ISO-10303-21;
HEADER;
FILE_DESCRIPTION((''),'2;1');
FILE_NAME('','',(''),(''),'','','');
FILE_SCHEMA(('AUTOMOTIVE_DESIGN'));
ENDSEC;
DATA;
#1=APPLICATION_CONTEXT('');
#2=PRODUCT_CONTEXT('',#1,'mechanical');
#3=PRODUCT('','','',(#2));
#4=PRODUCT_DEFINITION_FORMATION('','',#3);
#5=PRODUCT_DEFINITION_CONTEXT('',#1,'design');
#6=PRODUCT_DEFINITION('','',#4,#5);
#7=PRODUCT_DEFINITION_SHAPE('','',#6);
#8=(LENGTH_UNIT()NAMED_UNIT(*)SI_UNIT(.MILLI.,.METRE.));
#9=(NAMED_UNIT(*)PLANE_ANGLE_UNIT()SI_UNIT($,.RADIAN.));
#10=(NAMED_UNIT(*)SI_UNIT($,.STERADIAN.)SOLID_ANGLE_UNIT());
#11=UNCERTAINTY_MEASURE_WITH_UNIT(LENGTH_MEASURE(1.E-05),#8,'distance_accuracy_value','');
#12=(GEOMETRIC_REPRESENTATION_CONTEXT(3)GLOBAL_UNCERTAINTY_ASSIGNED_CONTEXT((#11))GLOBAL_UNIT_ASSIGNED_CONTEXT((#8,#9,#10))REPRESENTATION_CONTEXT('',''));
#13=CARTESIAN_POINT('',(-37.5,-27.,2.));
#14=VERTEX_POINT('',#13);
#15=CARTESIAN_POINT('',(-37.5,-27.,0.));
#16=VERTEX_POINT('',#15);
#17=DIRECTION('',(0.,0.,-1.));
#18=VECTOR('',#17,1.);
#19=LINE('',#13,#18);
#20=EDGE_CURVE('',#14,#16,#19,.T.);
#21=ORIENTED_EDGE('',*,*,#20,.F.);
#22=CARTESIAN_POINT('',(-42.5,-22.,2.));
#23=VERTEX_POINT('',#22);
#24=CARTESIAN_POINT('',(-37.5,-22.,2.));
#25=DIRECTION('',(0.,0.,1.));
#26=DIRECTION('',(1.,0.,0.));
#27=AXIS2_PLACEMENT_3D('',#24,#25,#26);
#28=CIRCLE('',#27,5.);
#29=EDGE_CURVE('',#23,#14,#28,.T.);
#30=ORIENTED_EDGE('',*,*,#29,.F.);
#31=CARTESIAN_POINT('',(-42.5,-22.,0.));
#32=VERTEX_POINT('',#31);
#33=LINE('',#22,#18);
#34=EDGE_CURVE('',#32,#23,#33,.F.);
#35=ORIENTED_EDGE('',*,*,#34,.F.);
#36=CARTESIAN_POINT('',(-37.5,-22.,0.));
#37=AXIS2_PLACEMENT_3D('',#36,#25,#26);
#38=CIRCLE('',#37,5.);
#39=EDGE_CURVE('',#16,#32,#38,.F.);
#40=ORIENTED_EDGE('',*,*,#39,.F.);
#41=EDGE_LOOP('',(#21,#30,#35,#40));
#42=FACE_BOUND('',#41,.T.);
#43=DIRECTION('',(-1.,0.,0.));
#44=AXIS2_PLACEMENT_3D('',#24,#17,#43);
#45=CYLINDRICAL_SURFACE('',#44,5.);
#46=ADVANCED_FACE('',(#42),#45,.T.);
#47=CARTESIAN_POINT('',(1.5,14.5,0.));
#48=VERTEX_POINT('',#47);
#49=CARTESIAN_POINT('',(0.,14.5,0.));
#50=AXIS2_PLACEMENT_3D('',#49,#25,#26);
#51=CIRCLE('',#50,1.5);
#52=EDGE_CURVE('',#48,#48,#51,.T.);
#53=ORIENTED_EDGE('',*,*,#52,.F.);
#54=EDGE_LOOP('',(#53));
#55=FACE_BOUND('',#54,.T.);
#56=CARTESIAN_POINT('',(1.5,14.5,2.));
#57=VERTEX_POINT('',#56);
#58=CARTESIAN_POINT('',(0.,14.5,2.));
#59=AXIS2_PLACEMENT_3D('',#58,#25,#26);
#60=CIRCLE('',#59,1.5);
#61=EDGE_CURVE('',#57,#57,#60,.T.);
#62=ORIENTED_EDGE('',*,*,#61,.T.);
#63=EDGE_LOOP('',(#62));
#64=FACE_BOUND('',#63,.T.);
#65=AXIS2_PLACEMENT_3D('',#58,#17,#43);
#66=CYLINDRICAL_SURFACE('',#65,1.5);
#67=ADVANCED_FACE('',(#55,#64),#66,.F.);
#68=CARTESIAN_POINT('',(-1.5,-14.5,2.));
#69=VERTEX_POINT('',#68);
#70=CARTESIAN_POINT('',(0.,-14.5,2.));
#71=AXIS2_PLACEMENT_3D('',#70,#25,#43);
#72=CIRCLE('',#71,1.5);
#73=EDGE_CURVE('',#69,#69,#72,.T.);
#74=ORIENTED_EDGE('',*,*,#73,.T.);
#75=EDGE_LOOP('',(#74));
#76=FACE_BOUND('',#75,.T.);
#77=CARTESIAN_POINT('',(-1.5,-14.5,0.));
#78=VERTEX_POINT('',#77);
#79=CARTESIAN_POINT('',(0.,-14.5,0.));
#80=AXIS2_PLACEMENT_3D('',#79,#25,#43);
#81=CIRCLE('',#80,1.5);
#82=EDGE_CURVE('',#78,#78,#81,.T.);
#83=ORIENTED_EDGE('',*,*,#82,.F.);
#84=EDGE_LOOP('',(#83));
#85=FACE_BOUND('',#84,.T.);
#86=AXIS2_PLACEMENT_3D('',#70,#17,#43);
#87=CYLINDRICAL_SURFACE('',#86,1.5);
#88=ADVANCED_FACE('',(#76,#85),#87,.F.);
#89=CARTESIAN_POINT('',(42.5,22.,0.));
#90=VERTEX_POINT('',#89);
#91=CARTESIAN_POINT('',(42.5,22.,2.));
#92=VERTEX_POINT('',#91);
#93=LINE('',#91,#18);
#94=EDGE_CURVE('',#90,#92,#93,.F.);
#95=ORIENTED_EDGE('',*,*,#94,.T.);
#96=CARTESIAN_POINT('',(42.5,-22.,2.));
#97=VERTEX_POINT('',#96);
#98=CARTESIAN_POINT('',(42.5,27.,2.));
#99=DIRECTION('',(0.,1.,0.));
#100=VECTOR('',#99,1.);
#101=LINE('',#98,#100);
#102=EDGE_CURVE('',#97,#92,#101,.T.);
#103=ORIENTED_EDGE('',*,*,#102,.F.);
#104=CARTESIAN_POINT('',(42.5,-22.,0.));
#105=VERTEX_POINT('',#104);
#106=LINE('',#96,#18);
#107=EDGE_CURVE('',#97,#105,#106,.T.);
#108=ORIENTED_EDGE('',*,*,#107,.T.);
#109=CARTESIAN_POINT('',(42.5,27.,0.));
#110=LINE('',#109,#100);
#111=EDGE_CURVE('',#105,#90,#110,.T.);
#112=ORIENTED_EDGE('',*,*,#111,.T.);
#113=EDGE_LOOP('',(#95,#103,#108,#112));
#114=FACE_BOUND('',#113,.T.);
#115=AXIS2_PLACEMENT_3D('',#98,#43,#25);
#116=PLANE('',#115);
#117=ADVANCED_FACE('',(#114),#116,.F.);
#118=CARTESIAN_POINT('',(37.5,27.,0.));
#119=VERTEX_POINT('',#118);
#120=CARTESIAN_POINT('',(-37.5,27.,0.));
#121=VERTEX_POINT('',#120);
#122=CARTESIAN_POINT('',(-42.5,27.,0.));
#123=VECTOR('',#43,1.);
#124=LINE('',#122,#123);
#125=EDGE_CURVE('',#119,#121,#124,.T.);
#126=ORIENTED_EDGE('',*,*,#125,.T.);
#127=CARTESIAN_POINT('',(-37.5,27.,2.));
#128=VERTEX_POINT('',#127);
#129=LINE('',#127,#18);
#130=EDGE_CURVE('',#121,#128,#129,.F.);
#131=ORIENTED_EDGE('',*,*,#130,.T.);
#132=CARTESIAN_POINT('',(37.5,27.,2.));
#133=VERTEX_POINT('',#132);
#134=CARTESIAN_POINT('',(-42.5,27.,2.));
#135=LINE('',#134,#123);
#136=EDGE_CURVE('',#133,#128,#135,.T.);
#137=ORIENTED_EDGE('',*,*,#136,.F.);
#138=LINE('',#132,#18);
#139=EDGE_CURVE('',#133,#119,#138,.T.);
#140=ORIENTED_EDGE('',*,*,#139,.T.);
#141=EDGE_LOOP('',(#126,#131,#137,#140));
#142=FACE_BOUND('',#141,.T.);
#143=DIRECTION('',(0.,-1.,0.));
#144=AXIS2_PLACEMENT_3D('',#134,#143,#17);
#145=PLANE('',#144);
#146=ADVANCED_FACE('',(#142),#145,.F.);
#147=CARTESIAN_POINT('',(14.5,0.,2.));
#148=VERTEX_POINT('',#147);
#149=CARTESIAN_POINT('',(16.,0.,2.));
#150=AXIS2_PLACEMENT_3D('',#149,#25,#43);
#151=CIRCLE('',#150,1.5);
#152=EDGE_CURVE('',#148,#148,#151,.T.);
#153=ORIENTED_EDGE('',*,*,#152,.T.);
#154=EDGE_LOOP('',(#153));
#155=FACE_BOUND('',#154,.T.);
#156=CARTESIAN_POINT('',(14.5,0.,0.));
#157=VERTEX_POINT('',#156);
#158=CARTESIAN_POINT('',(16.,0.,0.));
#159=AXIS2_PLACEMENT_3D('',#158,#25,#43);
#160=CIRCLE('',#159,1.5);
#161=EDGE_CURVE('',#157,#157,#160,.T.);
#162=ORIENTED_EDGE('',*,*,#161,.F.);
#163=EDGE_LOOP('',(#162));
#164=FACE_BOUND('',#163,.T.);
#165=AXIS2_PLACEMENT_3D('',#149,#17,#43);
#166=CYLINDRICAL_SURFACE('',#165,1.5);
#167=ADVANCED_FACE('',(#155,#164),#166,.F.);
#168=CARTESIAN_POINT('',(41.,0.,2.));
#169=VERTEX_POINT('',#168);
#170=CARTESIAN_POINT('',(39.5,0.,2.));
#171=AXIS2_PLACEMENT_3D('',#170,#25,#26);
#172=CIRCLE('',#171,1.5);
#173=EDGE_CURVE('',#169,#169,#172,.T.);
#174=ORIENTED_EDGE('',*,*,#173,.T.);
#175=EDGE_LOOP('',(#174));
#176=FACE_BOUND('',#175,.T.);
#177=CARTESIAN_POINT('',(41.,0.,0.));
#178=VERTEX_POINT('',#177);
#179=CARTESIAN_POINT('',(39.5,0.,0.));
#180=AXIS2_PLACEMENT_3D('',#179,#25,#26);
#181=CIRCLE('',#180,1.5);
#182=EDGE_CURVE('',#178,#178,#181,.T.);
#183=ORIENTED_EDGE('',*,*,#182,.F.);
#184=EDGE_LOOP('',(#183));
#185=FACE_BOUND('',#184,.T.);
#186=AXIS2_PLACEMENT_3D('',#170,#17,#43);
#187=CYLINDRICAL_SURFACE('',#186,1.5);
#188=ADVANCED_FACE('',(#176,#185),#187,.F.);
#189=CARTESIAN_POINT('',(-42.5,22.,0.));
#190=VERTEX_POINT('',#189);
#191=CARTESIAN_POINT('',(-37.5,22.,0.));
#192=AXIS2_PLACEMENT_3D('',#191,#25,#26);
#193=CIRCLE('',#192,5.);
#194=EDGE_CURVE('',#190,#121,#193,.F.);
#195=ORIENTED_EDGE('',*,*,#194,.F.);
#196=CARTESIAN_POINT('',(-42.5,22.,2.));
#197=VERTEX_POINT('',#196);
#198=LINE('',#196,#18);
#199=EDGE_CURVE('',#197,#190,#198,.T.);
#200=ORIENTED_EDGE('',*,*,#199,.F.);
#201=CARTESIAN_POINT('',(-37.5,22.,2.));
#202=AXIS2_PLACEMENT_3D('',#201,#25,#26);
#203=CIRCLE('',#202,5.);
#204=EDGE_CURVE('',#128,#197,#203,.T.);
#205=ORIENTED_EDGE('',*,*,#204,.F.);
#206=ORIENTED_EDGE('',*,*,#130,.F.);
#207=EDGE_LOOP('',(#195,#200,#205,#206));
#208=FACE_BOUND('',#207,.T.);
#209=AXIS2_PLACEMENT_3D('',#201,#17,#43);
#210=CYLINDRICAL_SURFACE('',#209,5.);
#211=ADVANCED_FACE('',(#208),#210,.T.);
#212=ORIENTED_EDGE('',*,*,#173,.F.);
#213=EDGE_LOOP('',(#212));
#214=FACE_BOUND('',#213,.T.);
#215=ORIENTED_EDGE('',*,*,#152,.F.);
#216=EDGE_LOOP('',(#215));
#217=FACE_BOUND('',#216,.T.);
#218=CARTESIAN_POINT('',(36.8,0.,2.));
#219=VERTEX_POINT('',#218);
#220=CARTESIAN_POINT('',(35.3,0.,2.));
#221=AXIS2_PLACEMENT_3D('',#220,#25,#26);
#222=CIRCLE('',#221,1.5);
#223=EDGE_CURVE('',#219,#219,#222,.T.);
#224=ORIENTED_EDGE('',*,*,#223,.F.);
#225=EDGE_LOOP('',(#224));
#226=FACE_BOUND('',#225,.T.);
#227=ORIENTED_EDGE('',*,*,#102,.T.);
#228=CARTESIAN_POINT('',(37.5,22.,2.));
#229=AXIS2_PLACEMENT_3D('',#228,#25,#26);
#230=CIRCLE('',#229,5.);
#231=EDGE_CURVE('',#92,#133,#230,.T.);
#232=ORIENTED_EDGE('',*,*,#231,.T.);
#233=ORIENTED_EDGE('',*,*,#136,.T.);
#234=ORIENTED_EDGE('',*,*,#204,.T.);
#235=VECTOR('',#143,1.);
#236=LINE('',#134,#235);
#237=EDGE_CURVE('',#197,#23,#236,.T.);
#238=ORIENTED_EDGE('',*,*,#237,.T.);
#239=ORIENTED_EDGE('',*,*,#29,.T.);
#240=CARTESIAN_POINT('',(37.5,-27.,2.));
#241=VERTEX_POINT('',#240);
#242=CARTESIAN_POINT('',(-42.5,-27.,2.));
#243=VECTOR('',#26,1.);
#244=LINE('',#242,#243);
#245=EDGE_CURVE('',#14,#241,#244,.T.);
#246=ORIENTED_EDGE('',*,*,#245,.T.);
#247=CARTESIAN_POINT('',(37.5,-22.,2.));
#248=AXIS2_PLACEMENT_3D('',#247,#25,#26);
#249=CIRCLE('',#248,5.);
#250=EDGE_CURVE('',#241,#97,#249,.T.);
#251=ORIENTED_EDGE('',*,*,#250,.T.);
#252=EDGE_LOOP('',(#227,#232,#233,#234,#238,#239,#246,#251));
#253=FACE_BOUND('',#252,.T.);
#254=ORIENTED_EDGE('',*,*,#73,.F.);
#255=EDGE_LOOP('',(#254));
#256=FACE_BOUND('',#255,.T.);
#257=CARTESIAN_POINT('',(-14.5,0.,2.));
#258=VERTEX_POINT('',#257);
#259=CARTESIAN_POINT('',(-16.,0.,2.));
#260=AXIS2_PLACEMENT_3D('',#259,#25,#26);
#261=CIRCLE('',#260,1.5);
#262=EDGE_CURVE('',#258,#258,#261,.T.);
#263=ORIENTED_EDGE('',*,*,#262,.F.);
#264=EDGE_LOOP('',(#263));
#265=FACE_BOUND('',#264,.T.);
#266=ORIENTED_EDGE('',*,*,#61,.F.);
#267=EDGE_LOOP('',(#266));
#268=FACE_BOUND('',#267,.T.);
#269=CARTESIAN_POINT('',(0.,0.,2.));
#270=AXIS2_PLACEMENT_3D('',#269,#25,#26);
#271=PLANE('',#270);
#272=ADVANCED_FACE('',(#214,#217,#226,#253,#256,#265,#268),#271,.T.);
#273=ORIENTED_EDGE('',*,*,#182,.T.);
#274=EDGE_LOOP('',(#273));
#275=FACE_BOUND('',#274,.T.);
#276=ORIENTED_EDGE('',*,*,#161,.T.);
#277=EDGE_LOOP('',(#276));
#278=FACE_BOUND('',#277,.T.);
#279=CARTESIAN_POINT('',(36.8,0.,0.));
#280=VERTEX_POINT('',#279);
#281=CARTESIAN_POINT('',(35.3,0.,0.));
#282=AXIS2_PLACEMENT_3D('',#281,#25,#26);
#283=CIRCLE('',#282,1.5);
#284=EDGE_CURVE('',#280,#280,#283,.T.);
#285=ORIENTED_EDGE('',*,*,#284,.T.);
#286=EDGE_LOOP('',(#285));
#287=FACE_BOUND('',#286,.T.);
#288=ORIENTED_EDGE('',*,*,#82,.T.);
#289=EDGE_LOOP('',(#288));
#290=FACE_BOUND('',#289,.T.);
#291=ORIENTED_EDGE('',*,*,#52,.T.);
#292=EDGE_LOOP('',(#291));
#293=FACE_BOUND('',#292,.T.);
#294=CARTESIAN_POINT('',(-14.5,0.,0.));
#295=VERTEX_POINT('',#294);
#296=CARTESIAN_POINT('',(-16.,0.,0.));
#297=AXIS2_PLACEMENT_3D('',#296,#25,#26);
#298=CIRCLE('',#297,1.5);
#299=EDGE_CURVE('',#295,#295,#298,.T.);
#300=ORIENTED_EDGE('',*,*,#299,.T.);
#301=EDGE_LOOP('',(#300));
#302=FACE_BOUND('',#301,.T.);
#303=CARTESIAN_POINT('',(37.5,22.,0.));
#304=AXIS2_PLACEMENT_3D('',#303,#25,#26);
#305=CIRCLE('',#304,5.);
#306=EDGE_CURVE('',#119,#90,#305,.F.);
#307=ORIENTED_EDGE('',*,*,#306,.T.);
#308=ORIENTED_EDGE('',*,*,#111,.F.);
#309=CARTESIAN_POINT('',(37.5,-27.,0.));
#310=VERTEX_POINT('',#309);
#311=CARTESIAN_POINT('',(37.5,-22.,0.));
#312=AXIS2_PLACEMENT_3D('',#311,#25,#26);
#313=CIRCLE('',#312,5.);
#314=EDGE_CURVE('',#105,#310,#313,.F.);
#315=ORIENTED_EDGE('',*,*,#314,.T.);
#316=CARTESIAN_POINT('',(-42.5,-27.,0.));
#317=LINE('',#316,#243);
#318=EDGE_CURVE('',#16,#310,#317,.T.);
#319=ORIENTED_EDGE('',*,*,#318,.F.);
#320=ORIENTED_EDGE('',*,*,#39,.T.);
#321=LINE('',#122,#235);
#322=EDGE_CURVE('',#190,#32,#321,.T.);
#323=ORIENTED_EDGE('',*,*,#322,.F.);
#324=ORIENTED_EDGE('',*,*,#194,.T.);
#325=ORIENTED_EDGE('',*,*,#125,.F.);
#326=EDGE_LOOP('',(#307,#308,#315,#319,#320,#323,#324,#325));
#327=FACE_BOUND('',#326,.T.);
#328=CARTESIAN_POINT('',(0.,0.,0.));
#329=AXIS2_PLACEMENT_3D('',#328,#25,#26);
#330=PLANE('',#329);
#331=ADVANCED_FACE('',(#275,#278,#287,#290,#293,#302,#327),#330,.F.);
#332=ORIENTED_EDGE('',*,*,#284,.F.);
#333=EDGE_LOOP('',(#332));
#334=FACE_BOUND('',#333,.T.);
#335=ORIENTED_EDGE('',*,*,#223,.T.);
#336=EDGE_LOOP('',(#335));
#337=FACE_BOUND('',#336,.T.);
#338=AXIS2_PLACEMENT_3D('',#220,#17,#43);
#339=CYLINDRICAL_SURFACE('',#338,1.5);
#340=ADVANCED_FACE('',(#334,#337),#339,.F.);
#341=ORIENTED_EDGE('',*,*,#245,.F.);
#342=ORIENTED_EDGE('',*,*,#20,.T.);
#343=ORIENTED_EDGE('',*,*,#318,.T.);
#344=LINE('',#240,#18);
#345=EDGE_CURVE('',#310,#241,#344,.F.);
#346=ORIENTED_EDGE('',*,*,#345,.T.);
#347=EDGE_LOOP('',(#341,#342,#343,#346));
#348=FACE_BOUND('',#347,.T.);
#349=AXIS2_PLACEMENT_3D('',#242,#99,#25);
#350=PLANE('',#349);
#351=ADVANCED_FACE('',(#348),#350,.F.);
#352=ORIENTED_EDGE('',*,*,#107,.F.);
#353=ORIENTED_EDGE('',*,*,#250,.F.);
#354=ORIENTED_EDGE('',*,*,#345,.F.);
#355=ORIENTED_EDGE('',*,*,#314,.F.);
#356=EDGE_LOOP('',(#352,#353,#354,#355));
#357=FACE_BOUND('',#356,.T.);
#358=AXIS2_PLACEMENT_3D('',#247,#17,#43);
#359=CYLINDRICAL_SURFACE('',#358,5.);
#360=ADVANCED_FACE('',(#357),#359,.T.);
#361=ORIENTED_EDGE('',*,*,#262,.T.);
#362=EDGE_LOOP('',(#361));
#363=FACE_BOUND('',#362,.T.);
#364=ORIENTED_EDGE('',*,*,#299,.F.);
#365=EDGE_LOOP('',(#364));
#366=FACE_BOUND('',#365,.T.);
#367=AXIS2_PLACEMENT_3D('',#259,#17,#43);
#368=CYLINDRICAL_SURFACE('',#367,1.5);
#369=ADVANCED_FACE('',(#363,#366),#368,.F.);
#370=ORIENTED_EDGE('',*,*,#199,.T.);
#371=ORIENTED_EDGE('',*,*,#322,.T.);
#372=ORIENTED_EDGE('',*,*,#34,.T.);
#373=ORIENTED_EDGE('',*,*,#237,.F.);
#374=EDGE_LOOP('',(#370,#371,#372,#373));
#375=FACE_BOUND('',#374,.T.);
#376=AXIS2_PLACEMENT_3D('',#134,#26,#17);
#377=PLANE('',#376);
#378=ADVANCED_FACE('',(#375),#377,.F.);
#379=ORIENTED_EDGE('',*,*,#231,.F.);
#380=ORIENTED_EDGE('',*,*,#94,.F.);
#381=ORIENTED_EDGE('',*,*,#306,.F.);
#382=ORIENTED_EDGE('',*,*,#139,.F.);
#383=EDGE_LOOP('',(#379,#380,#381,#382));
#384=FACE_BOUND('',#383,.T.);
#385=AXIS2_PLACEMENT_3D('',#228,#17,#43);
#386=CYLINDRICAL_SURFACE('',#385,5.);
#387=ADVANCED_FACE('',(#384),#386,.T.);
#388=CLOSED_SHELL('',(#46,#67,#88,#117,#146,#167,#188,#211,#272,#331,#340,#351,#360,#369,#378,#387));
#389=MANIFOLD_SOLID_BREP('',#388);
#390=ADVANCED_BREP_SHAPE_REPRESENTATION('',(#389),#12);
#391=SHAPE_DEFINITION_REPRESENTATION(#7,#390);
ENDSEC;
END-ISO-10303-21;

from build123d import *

# Parameters (mm, degrees)
SKETCH_1_W      = 85
SKETCH_1_H      = 54
SKETCH_1_R      = 1.5
EXTRUDE_1_DEPTH = 2
FILLET_1_R      = 5


with BuildPart() as part:
    # 草图1 → 凸台-拉伸1 (new body)
    with BuildSketch(Plane.XY):
        Rectangle(SKETCH_1_W, SKETCH_1_H)
        with Locations((39.5, 0)):
            Circle(SKETCH_1_R, mode=Mode.SUBTRACT)
        with Locations((35.3, 0)):
            Circle(SKETCH_1_R, mode=Mode.SUBTRACT)
        with Locations((0, 14.5)):
            Circle(SKETCH_1_R, mode=Mode.SUBTRACT)
        with Locations((-16, 0)):
            Circle(SKETCH_1_R, mode=Mode.SUBTRACT)
        with Locations((16, 0)):
            Circle(SKETCH_1_R, mode=Mode.SUBTRACT)
        with Locations((0, -14.5)):
            Circle(SKETCH_1_R, mode=Mode.SUBTRACT)
    extrude(amount=EXTRUDE_1_DEPTH)

    # 圆角1
    fillet_1_edges = [part.edges().sort_by_distance(p)[0] for p in [
        (42.5, -27, 1),
        (-42.5, -27, 1),
        (-42.5, 27, 1),
        (42.5, 27, 1),
    ]]
    fillet(fillet_1_edges, radius=FILLET_1_R)


solid = part.part
